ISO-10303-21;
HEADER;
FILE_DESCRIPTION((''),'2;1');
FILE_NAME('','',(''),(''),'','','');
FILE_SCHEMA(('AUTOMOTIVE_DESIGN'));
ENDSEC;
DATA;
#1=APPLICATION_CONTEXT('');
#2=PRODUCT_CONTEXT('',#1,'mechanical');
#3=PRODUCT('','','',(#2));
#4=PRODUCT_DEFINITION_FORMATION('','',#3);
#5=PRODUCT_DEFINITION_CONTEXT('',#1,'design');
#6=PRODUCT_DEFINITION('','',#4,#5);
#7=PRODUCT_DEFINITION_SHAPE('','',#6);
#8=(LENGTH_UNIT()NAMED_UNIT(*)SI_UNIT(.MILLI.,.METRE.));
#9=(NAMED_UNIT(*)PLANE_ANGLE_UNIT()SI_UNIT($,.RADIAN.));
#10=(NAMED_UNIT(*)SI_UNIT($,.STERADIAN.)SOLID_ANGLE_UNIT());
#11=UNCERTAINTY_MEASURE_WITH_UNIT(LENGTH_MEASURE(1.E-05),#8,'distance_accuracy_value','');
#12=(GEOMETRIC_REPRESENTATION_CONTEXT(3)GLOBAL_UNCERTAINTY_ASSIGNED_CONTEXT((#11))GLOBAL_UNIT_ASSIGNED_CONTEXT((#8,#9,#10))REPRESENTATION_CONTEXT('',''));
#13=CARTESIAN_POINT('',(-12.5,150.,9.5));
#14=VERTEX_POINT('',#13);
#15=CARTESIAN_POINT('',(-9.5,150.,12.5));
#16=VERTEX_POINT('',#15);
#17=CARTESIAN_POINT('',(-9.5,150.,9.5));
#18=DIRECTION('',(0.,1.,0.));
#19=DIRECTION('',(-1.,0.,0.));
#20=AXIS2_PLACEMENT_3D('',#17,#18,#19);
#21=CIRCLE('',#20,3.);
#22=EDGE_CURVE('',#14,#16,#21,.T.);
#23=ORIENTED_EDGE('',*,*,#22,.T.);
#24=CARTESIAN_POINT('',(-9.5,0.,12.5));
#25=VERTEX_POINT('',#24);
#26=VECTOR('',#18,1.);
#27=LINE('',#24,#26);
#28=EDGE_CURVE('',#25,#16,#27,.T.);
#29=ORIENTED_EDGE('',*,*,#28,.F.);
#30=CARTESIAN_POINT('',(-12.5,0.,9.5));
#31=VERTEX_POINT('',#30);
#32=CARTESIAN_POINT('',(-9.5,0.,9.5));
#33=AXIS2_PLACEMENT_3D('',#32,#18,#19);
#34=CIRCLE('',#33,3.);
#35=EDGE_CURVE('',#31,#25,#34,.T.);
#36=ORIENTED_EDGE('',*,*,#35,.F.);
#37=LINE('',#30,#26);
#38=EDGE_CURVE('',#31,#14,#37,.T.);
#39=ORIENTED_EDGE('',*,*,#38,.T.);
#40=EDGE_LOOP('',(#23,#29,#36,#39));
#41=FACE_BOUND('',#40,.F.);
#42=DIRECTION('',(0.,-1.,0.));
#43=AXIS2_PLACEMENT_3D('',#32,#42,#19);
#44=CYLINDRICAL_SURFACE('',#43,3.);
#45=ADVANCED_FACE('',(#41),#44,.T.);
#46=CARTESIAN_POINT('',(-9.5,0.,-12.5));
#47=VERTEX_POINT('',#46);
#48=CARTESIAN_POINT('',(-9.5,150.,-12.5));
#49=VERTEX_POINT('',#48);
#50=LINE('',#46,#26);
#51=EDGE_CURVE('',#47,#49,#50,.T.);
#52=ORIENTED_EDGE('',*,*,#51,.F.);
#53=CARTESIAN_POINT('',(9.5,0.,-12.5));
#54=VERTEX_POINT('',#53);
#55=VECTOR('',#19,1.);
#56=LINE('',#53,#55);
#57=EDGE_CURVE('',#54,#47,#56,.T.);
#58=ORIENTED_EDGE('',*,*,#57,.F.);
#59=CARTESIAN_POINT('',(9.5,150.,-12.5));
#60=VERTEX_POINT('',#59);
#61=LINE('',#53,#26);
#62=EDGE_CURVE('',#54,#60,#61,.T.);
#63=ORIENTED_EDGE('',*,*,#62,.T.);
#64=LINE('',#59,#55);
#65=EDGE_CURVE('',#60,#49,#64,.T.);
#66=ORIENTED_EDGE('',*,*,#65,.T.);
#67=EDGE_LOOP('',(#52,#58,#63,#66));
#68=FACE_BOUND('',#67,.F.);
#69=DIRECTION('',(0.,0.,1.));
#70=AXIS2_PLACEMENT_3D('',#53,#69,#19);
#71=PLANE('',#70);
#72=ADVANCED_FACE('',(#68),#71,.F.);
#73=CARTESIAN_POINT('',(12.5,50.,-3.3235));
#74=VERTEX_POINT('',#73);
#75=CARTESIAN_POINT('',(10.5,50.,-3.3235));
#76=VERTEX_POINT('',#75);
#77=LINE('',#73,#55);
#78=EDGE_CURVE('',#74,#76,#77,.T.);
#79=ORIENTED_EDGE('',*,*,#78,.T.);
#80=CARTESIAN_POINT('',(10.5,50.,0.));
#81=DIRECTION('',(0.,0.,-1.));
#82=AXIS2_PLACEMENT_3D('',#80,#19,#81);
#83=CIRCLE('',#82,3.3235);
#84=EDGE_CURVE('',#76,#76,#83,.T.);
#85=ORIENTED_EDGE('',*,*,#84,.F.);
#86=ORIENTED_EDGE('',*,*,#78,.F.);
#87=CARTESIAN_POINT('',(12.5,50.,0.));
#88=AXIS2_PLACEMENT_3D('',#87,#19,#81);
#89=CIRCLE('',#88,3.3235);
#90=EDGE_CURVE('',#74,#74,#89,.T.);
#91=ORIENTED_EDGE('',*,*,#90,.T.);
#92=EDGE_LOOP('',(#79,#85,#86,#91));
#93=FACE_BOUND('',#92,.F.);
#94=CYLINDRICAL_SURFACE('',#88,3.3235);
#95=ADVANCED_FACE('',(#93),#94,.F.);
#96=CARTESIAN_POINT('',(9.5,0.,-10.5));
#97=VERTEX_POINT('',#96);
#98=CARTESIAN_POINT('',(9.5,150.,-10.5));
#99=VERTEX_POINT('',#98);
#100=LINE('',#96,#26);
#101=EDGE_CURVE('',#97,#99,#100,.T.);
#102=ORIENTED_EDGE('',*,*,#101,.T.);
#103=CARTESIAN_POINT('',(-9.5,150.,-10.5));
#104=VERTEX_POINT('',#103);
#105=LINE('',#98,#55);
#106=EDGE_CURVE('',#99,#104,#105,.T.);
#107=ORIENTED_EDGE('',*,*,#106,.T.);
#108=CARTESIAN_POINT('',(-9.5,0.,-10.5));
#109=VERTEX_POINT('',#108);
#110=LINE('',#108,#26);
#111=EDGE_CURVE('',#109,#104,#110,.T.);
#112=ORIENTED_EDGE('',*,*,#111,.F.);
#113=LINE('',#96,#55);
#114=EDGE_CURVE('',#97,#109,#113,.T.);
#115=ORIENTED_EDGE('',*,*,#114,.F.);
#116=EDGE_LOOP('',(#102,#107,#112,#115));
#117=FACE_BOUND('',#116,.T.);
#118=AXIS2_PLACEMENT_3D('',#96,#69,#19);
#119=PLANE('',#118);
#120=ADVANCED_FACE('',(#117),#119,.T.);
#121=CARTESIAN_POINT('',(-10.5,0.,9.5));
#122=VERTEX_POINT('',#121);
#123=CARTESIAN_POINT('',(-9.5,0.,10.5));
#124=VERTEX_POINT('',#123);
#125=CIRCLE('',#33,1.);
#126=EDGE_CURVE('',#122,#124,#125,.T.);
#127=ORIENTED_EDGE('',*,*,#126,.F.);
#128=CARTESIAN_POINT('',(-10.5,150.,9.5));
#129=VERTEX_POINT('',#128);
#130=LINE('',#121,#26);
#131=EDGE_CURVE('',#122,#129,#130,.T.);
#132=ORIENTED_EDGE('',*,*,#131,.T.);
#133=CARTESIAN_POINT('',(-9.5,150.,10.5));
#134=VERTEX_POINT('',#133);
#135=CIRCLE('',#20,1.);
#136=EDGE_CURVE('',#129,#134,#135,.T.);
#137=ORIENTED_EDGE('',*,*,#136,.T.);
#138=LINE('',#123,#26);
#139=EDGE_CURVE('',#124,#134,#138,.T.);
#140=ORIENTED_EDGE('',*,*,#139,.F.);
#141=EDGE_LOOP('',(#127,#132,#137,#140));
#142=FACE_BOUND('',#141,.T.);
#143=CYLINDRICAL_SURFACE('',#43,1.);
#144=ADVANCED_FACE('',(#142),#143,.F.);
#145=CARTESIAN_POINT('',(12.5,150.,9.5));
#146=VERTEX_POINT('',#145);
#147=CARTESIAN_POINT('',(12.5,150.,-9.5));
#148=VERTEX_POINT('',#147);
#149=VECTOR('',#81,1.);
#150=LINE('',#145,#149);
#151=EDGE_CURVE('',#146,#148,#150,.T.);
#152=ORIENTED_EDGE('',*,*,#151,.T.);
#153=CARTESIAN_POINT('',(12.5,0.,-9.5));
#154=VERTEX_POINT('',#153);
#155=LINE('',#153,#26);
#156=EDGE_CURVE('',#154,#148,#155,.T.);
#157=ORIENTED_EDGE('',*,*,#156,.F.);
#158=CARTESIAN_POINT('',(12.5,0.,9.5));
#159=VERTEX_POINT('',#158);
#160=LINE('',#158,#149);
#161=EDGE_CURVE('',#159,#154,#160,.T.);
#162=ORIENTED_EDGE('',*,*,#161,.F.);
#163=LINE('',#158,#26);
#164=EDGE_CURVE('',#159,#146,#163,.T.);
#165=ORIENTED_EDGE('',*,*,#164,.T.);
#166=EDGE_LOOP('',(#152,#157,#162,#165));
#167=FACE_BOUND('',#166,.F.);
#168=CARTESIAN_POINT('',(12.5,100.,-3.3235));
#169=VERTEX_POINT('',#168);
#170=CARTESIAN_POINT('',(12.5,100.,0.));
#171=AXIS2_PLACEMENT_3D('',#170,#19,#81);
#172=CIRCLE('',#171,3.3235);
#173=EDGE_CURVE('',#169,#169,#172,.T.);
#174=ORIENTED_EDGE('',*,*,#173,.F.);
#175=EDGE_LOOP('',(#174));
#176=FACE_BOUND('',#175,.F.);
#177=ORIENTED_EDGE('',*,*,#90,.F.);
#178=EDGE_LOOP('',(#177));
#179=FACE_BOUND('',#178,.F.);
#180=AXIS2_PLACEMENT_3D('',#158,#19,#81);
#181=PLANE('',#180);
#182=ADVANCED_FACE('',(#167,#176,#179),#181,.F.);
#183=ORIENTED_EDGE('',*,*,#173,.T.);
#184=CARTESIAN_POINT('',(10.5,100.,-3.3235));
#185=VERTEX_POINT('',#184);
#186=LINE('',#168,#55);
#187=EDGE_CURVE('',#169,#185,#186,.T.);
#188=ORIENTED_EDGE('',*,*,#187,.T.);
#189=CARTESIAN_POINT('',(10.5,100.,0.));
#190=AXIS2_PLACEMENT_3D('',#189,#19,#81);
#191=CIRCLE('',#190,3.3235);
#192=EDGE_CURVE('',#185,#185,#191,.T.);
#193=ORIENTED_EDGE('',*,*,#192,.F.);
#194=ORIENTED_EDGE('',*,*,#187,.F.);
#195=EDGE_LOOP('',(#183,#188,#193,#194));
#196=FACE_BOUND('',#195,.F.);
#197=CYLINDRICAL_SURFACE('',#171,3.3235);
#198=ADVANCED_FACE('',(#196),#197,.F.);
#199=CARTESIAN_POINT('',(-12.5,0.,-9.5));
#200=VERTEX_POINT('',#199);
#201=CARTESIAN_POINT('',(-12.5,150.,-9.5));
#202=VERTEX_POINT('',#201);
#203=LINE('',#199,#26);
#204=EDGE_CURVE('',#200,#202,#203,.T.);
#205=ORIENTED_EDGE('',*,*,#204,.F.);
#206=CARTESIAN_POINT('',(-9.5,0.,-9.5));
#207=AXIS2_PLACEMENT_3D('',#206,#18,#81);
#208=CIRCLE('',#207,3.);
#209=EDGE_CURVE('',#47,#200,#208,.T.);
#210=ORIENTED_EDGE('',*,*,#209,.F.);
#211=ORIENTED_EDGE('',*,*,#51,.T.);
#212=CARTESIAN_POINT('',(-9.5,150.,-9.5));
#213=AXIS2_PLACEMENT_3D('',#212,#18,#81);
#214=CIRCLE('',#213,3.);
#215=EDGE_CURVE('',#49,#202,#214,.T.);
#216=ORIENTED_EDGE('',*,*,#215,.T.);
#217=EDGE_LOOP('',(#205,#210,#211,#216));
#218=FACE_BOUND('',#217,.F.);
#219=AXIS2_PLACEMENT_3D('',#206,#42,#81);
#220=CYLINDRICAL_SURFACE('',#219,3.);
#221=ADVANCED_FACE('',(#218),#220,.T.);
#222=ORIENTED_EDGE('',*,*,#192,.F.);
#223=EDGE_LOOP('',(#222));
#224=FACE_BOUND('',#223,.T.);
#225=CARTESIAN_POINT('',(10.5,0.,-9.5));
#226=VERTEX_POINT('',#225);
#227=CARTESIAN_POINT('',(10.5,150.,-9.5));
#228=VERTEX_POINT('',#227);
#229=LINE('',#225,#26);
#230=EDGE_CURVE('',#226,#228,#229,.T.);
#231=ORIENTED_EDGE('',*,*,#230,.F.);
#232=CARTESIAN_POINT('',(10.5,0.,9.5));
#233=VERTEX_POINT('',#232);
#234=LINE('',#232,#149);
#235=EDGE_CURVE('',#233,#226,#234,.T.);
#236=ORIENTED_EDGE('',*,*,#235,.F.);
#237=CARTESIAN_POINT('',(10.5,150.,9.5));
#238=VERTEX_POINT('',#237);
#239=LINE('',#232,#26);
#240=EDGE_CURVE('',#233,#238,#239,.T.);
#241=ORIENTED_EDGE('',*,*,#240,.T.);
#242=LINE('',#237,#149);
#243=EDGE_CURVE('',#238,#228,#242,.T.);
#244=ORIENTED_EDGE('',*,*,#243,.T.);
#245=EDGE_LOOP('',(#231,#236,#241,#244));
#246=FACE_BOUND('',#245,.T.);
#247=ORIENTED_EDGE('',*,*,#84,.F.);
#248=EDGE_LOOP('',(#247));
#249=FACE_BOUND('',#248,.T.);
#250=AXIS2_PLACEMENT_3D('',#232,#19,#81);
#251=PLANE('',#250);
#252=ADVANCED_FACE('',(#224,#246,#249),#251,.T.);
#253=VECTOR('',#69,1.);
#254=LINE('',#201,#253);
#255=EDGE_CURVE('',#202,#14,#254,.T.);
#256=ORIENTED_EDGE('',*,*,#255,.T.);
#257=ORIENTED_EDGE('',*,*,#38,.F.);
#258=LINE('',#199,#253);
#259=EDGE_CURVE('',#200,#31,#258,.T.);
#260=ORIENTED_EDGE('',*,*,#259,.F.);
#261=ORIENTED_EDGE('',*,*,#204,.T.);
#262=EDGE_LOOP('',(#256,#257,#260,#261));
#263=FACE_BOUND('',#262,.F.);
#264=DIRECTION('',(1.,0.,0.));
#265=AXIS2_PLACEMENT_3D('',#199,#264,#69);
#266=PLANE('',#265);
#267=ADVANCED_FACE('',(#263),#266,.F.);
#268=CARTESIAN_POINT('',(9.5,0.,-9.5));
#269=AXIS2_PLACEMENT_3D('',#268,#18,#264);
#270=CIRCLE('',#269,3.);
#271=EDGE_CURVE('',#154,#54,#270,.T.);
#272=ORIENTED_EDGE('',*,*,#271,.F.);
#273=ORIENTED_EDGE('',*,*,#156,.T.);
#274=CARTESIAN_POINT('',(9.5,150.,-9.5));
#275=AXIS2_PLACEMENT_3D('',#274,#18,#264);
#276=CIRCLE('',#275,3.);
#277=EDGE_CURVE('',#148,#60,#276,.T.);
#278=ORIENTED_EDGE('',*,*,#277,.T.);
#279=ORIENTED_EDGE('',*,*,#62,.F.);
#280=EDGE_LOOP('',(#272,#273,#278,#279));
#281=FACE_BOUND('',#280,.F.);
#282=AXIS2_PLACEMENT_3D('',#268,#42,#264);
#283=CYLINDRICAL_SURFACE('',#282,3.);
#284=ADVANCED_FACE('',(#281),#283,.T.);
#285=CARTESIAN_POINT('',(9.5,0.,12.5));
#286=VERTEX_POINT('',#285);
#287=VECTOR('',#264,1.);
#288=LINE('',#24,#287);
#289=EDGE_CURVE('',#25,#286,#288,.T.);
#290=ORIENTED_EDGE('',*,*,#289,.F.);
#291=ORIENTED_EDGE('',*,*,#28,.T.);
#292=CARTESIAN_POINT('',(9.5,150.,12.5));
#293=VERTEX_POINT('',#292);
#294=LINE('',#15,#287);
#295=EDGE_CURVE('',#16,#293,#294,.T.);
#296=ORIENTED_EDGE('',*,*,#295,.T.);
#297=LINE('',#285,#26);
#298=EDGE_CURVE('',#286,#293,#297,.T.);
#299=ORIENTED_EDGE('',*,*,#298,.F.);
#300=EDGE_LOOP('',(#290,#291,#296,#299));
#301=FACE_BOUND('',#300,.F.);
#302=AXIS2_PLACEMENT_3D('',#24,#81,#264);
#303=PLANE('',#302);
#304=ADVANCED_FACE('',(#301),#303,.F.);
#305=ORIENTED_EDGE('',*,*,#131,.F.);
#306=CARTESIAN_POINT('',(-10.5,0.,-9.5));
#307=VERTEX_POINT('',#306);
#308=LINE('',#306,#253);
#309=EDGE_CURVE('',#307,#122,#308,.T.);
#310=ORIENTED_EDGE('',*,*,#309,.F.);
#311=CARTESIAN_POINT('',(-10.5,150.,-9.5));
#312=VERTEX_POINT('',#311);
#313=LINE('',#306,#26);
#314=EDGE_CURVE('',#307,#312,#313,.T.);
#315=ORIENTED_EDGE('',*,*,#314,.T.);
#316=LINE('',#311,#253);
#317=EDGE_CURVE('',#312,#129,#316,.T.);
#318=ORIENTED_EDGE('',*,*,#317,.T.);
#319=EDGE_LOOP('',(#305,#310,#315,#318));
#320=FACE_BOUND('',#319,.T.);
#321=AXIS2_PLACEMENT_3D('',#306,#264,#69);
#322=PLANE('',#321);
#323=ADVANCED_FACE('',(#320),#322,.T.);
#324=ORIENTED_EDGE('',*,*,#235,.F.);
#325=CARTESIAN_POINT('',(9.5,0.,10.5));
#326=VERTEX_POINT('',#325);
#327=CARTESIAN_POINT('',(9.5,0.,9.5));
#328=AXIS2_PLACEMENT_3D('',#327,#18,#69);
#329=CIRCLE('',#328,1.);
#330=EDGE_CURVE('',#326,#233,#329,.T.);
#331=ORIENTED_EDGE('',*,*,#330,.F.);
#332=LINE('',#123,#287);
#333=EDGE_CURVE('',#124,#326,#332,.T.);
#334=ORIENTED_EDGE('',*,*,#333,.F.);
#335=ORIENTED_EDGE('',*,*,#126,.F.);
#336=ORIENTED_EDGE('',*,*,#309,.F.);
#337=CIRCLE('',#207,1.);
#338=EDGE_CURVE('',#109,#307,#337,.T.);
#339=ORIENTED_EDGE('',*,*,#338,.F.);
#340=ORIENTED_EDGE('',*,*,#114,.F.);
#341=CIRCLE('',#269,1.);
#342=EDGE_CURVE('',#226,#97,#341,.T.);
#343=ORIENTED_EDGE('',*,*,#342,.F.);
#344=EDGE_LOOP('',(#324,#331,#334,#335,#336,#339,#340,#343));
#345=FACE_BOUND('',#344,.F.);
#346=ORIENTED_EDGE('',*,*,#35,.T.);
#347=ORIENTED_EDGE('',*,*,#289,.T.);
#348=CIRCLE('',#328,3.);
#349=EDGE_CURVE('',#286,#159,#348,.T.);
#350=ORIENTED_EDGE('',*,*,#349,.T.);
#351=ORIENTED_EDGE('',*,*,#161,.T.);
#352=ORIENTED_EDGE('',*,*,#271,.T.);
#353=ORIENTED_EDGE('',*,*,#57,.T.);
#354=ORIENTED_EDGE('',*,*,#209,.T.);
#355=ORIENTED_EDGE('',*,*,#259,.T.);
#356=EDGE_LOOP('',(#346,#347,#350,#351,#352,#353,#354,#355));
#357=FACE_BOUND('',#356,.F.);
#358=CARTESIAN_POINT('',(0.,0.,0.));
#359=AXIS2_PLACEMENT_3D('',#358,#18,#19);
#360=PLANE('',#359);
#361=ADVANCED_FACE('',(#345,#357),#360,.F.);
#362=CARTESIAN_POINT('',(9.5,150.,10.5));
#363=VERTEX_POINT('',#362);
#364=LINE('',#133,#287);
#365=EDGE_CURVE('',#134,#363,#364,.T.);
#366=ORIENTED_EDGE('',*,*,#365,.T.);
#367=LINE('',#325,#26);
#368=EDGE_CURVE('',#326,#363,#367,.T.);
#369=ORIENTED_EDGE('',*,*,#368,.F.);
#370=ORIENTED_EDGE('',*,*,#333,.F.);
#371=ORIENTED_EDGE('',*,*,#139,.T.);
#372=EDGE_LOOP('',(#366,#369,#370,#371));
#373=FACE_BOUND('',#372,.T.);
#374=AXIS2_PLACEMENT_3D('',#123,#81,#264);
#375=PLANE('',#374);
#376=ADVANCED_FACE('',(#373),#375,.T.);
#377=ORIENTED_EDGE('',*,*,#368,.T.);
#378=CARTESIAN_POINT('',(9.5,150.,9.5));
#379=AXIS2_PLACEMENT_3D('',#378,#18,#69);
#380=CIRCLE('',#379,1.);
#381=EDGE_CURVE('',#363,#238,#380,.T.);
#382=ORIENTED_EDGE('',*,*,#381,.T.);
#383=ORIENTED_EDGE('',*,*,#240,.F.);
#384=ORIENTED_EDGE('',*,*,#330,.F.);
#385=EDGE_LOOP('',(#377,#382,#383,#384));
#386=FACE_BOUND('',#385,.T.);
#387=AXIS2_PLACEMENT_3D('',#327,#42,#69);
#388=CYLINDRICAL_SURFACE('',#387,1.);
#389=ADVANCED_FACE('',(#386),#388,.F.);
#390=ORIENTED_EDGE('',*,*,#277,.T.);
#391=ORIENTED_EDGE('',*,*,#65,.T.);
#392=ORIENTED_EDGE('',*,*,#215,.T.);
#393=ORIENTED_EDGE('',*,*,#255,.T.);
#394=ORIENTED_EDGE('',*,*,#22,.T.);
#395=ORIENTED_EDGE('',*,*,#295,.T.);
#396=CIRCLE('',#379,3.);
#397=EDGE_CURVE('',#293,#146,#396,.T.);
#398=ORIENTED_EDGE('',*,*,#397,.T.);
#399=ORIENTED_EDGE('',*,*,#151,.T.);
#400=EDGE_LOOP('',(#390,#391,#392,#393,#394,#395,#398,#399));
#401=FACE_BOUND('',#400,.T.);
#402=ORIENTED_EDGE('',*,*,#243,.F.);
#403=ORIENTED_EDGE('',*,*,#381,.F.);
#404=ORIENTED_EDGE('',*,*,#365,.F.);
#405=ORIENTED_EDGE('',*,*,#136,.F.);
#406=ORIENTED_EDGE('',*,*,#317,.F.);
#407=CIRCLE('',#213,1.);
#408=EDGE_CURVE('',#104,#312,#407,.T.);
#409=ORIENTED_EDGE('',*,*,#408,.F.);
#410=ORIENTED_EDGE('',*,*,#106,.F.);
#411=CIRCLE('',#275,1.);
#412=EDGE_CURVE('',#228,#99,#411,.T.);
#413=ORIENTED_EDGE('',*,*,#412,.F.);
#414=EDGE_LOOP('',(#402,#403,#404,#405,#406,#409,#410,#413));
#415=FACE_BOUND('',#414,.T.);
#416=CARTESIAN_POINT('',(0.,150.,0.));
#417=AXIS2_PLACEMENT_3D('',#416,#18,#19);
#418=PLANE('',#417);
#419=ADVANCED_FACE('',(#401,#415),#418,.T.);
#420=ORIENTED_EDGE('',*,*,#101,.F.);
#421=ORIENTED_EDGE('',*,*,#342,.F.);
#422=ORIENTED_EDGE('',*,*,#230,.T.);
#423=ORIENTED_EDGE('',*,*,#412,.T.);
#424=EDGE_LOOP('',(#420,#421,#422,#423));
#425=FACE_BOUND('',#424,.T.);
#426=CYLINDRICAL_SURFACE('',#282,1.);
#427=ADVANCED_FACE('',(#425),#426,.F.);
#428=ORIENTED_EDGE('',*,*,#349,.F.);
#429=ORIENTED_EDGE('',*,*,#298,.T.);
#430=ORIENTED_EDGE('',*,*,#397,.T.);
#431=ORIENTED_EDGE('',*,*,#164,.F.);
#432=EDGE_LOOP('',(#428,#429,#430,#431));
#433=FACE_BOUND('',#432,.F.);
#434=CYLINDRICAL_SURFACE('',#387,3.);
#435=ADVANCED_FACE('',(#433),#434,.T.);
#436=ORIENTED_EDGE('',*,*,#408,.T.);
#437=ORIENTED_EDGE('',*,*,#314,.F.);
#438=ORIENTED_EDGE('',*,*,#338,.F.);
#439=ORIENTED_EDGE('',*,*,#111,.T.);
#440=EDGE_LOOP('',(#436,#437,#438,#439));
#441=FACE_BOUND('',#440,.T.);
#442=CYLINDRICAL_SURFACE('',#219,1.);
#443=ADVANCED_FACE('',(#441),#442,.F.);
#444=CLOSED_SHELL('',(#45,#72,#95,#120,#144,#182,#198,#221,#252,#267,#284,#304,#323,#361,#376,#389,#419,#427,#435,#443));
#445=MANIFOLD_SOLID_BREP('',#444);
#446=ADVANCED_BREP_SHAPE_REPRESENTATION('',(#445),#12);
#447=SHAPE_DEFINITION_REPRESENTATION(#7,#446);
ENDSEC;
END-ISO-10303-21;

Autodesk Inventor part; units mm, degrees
ref_plane "XZ Plane" through (0, 0, 0) normal (0, 1, 0) x (-1, 0, 0)
sketch "Sketch1" plane through (0, 0, 0) normal (0, 1, 0) x (-1, 0, 0)
  line L0 (-9.5, 11.5) -> (9.5, 11.5) construction
  line L1 (11.5, 9.5) -> (11.5, -9.5) construction
  line L2 (9.5, -11.5) -> (-9.5, -11.5) construction
  line L3 (-11.5, -9.5) -> (-11.5, 9.5) construction
  line L4 (-11.5, 11.5) -> (11.5, -11.5) construction
  line L5 (11.5, 11.5) -> (-11.5, -11.5) construction
  arc A0 (11.5, 9.5) -> (9.5, 11.5) centre (9.5, 9.5) ccw construction
  arc A1 (9.5, -11.5) -> (11.5, -9.5) centre (9.5, -9.5) ccw construction
  arc A2 (-11.5, -9.5) -> (-9.5, -11.5) centre (-9.5, -9.5) ccw construction
  arc A3 (-9.5, 11.5) -> (-11.5, 9.5) centre (-9.5, 9.5) ccw construction
  line L6 (-9.5, -12.5) -> (9.5, -12.5)
  arc A4 (9.5, -12.5) -> (12.5, -9.5) centre (9.5, -9.5) ccw
  line L7 (12.5, -9.5) -> (12.5, 9.5)
  arc A5 (12.5, 9.5) -> (9.5, 12.5) centre (9.5, 9.5) ccw
  line L8 (9.5, 12.5) -> (-9.5, 12.5)
  arc A6 (-9.5, 12.5) -> (-12.5, 9.5) centre (-9.5, 9.5) ccw
  line L9 (-12.5, 9.5) -> (-12.5, -9.5)
  arc A7 (-12.5, -9.5) -> (-9.5, -12.5) centre (-9.5, -9.5) ccw
  line L10 (10.5, -9.5) -> (10.5, 9.5)
  arc A8 (10.5, 9.5) -> (9.5, 10.5) centre (9.5, 9.5) ccw
  line L11 (9.5, 10.5) -> (-9.5, 10.5)
  arc A9 (-9.5, 10.5) -> (-10.5, 9.5) centre (-9.5, 9.5) ccw
  line L12 (-10.5, 9.5) -> (-10.5, -9.5)
  arc A10 (-10.5, -9.5) -> (-9.5, -10.5) centre (-9.5, -9.5) ccw
  line L13 (-9.5, -10.5) -> (9.5, -10.5)
  arc A11 (9.5, -10.5) -> (10.5, -9.5) centre (9.5, -9.5) ccw
  point P0 (0, 0)
  point P1 (0, 0)
  point P2 (0, 0)
  dimension "d10" = 2
  dimension "depth" = 25
  dimension "width" = 25
  dimension "thickness" = 2
extrude "Extrusion1" add sketch "Sketch1" along normal blind 150
sketch "Sketch2" plane through (12.5, 0, 9.5) normal (1, 0, 0) x (0, 0, -1)
  line L0 (9.5, -30) -> (9.5, 180) construction
  line L1 (0, 150) -> (19, 150) projected
  point P0 (9.5, 0)
  point P1 (9.5, 100)
  point P2 (9.5, 50)
  dimension "d16" = 50
  dimension "d17" = 50
hole "Hole1" at (12.5, 100, 0) at (12.5, 50, 0) direction (-1, 0, 0) diameter 6.647 depth 20.2 tip angle 118 thread size "M8x1.25" class "6H" standard "ANSI Metric M Profile"
equation "\"d10\" = thickness"
properties part number "Stopa v2 profil 1" material "Steel"
